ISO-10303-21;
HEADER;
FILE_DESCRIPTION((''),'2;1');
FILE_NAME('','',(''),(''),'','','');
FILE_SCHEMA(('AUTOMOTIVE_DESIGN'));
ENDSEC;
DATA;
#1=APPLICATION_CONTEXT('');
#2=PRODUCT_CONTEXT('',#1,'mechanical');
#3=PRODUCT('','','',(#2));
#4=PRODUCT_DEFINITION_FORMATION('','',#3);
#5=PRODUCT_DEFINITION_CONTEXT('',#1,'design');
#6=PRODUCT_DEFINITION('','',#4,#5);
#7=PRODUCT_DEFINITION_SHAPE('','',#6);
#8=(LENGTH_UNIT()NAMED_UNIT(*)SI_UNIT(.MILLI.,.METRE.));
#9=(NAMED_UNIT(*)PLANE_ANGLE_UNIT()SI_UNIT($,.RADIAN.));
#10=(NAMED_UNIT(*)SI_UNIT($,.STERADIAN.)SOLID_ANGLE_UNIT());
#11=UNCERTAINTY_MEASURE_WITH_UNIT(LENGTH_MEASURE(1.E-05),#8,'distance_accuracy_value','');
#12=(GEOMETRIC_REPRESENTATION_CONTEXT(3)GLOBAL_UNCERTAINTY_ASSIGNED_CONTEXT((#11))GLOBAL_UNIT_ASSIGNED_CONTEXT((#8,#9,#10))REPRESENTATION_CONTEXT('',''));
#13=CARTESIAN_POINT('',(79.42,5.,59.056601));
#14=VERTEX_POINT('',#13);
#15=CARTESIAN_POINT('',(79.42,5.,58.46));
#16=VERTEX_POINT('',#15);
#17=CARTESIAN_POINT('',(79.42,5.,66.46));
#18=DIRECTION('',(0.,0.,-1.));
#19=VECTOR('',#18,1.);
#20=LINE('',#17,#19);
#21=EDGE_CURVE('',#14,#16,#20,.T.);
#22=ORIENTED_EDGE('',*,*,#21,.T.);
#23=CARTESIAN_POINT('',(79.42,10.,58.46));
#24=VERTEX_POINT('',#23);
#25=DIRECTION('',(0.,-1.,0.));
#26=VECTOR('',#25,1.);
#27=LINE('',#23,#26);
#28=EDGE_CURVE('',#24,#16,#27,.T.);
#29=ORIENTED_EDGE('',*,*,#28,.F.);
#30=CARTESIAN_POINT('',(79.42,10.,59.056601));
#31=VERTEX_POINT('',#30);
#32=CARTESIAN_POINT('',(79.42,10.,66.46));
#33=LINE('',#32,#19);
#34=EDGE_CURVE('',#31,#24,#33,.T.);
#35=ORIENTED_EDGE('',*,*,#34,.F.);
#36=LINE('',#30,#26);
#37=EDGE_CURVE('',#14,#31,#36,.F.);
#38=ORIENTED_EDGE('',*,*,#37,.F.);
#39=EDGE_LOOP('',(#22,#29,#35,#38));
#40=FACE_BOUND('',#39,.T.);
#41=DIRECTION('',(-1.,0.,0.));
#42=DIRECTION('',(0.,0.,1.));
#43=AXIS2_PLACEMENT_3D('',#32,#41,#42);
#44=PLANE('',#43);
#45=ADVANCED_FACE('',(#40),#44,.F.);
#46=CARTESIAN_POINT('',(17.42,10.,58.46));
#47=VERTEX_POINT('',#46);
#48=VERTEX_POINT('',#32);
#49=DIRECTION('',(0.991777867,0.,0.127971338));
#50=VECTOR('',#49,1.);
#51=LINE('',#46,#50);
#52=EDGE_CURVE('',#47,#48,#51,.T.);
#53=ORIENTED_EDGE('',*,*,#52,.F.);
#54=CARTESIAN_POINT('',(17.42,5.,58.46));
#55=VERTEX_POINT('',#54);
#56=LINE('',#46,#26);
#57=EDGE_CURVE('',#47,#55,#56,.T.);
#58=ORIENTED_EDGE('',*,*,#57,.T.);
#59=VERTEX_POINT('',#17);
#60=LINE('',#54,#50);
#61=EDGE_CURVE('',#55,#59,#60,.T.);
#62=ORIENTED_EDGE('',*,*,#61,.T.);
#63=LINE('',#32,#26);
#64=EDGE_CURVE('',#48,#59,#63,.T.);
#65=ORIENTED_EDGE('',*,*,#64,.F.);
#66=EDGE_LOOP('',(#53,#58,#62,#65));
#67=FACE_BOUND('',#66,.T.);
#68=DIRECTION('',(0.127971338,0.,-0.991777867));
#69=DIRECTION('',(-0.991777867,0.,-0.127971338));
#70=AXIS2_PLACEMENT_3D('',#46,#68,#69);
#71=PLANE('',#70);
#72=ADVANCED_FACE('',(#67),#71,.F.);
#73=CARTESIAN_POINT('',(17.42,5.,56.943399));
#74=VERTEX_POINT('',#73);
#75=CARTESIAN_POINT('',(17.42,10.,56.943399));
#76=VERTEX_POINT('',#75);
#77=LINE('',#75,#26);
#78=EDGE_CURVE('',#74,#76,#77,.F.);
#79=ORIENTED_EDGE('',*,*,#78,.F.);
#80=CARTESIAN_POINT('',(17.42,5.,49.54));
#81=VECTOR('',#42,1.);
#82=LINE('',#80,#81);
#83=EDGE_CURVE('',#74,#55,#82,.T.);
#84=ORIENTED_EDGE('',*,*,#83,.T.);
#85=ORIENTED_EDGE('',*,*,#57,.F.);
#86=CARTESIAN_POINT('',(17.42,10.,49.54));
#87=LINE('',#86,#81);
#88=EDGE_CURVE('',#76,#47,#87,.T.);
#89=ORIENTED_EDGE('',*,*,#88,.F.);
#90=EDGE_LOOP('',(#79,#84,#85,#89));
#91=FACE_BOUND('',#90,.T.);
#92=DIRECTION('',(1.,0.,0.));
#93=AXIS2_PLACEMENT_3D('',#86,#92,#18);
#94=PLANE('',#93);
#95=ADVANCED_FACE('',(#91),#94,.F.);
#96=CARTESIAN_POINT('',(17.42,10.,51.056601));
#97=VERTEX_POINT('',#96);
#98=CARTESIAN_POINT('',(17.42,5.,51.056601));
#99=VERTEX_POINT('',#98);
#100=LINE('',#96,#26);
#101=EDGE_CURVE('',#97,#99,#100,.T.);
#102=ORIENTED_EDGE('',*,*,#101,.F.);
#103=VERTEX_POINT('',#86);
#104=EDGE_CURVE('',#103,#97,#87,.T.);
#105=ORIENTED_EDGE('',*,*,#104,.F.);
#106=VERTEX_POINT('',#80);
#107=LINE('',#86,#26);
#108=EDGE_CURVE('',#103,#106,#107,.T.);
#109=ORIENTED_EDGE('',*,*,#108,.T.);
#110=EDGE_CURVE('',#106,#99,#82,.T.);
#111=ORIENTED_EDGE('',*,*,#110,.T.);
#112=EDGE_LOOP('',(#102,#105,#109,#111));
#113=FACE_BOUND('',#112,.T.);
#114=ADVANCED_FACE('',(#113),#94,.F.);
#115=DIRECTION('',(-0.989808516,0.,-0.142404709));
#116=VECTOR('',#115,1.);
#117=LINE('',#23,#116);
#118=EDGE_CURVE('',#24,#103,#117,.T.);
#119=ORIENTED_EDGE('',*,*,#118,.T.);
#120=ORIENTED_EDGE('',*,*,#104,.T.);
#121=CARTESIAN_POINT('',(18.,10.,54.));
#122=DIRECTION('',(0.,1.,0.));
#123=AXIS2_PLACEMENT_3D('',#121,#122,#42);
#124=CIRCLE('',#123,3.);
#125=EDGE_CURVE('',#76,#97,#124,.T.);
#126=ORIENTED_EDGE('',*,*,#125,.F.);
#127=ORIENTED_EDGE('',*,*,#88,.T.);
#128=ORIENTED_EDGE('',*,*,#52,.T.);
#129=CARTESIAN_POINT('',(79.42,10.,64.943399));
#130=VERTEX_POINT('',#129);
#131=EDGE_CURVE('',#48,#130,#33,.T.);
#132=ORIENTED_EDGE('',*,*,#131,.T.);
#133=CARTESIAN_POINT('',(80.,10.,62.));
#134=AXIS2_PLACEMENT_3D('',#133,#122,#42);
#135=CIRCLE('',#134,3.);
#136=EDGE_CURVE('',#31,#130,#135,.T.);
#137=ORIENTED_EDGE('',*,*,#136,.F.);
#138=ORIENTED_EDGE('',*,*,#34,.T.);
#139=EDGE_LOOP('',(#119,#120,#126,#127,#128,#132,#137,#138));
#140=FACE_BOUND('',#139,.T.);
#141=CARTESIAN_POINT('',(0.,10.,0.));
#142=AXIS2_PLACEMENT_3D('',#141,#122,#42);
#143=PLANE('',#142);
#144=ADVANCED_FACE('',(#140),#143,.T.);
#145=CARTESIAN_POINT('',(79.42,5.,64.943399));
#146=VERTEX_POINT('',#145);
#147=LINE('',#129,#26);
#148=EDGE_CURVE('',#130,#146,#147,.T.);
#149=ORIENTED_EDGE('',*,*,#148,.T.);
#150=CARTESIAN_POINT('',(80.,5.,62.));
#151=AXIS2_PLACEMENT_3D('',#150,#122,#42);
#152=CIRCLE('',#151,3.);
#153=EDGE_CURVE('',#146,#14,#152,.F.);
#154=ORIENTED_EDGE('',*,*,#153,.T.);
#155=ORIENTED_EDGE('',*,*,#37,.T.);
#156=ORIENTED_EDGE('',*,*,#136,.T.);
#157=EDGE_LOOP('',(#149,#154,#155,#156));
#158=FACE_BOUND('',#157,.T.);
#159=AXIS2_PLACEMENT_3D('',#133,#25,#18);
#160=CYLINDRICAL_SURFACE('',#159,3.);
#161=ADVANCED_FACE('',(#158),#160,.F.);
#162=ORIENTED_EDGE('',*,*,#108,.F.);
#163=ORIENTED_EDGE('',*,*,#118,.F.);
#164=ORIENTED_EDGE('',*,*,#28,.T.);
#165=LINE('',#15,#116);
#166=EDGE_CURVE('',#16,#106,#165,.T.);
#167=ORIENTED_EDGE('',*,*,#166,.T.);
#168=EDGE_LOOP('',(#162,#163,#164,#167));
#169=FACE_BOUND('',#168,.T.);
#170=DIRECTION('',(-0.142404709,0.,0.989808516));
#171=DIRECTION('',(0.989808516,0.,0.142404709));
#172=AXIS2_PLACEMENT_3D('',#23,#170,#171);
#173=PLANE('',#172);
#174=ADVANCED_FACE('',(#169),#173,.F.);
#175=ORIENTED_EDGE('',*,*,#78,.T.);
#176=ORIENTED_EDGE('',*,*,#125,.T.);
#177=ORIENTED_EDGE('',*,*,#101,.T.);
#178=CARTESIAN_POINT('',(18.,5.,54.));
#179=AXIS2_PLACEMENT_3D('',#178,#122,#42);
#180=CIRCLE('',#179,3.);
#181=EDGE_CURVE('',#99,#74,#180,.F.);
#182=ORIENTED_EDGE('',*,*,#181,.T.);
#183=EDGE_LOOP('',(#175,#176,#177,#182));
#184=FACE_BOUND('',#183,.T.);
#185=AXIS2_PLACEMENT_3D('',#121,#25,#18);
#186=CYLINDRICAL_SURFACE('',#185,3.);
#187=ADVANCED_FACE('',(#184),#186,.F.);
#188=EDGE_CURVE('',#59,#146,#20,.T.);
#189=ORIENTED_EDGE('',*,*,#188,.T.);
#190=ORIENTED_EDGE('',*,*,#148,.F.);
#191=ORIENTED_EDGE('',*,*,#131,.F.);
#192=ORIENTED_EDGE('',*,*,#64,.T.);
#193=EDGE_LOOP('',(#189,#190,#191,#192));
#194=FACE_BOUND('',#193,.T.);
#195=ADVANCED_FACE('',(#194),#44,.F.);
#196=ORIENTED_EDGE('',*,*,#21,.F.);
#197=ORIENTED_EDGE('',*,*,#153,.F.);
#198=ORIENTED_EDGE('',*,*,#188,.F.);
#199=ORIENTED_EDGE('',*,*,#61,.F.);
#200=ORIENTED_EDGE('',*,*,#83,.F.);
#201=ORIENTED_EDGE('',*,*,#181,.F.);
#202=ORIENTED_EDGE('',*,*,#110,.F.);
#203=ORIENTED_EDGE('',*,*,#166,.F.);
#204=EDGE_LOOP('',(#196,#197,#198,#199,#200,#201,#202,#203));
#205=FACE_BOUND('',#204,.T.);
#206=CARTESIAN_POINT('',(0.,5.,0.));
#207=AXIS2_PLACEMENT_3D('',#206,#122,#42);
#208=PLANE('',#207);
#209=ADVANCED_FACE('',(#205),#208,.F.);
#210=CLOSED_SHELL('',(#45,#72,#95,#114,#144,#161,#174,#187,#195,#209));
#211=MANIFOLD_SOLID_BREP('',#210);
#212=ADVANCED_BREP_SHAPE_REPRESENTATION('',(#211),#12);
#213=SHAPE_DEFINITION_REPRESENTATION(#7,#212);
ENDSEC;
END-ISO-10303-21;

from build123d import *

# Parameters (mm, degrees)
EXTRUDE_START       = 5
EXTRUDE_1_DEPTH     = 5
SKETCH_2_R          = 3
CUT_EXTRUDE_2_DEPTH = 105.040703573


with BuildPart() as part:
    # 草图1 → 凸台-拉伸1 (new body)
    with BuildSketch(Plane(origin=(0, 0, 0), x_dir=(1, 0, 0), z_dir=(0, 1, 0)).offset(EXTRUDE_START)):
        Polygon((17.42, -58.46), (79.42, -66.46), (79.42, -58.46), (17.42, -49.54), align=None)
    extrude(amount=EXTRUDE_1_DEPTH)

    # 草图2 → 切除-拉伸2 (cut, through all)
    with BuildSketch(Plane(origin=(0, 0, 0), x_dir=(1, 0, 0), z_dir=(0, 1, 0))):
        with Locations((18, -54)):
            Circle(SKETCH_2_R)
        with Locations((80, -62)):
            Circle(SKETCH_2_R)
    extrude(amount=CUT_EXTRUDE_2_DEPTH, mode=Mode.SUBTRACT)


solid = part.part
